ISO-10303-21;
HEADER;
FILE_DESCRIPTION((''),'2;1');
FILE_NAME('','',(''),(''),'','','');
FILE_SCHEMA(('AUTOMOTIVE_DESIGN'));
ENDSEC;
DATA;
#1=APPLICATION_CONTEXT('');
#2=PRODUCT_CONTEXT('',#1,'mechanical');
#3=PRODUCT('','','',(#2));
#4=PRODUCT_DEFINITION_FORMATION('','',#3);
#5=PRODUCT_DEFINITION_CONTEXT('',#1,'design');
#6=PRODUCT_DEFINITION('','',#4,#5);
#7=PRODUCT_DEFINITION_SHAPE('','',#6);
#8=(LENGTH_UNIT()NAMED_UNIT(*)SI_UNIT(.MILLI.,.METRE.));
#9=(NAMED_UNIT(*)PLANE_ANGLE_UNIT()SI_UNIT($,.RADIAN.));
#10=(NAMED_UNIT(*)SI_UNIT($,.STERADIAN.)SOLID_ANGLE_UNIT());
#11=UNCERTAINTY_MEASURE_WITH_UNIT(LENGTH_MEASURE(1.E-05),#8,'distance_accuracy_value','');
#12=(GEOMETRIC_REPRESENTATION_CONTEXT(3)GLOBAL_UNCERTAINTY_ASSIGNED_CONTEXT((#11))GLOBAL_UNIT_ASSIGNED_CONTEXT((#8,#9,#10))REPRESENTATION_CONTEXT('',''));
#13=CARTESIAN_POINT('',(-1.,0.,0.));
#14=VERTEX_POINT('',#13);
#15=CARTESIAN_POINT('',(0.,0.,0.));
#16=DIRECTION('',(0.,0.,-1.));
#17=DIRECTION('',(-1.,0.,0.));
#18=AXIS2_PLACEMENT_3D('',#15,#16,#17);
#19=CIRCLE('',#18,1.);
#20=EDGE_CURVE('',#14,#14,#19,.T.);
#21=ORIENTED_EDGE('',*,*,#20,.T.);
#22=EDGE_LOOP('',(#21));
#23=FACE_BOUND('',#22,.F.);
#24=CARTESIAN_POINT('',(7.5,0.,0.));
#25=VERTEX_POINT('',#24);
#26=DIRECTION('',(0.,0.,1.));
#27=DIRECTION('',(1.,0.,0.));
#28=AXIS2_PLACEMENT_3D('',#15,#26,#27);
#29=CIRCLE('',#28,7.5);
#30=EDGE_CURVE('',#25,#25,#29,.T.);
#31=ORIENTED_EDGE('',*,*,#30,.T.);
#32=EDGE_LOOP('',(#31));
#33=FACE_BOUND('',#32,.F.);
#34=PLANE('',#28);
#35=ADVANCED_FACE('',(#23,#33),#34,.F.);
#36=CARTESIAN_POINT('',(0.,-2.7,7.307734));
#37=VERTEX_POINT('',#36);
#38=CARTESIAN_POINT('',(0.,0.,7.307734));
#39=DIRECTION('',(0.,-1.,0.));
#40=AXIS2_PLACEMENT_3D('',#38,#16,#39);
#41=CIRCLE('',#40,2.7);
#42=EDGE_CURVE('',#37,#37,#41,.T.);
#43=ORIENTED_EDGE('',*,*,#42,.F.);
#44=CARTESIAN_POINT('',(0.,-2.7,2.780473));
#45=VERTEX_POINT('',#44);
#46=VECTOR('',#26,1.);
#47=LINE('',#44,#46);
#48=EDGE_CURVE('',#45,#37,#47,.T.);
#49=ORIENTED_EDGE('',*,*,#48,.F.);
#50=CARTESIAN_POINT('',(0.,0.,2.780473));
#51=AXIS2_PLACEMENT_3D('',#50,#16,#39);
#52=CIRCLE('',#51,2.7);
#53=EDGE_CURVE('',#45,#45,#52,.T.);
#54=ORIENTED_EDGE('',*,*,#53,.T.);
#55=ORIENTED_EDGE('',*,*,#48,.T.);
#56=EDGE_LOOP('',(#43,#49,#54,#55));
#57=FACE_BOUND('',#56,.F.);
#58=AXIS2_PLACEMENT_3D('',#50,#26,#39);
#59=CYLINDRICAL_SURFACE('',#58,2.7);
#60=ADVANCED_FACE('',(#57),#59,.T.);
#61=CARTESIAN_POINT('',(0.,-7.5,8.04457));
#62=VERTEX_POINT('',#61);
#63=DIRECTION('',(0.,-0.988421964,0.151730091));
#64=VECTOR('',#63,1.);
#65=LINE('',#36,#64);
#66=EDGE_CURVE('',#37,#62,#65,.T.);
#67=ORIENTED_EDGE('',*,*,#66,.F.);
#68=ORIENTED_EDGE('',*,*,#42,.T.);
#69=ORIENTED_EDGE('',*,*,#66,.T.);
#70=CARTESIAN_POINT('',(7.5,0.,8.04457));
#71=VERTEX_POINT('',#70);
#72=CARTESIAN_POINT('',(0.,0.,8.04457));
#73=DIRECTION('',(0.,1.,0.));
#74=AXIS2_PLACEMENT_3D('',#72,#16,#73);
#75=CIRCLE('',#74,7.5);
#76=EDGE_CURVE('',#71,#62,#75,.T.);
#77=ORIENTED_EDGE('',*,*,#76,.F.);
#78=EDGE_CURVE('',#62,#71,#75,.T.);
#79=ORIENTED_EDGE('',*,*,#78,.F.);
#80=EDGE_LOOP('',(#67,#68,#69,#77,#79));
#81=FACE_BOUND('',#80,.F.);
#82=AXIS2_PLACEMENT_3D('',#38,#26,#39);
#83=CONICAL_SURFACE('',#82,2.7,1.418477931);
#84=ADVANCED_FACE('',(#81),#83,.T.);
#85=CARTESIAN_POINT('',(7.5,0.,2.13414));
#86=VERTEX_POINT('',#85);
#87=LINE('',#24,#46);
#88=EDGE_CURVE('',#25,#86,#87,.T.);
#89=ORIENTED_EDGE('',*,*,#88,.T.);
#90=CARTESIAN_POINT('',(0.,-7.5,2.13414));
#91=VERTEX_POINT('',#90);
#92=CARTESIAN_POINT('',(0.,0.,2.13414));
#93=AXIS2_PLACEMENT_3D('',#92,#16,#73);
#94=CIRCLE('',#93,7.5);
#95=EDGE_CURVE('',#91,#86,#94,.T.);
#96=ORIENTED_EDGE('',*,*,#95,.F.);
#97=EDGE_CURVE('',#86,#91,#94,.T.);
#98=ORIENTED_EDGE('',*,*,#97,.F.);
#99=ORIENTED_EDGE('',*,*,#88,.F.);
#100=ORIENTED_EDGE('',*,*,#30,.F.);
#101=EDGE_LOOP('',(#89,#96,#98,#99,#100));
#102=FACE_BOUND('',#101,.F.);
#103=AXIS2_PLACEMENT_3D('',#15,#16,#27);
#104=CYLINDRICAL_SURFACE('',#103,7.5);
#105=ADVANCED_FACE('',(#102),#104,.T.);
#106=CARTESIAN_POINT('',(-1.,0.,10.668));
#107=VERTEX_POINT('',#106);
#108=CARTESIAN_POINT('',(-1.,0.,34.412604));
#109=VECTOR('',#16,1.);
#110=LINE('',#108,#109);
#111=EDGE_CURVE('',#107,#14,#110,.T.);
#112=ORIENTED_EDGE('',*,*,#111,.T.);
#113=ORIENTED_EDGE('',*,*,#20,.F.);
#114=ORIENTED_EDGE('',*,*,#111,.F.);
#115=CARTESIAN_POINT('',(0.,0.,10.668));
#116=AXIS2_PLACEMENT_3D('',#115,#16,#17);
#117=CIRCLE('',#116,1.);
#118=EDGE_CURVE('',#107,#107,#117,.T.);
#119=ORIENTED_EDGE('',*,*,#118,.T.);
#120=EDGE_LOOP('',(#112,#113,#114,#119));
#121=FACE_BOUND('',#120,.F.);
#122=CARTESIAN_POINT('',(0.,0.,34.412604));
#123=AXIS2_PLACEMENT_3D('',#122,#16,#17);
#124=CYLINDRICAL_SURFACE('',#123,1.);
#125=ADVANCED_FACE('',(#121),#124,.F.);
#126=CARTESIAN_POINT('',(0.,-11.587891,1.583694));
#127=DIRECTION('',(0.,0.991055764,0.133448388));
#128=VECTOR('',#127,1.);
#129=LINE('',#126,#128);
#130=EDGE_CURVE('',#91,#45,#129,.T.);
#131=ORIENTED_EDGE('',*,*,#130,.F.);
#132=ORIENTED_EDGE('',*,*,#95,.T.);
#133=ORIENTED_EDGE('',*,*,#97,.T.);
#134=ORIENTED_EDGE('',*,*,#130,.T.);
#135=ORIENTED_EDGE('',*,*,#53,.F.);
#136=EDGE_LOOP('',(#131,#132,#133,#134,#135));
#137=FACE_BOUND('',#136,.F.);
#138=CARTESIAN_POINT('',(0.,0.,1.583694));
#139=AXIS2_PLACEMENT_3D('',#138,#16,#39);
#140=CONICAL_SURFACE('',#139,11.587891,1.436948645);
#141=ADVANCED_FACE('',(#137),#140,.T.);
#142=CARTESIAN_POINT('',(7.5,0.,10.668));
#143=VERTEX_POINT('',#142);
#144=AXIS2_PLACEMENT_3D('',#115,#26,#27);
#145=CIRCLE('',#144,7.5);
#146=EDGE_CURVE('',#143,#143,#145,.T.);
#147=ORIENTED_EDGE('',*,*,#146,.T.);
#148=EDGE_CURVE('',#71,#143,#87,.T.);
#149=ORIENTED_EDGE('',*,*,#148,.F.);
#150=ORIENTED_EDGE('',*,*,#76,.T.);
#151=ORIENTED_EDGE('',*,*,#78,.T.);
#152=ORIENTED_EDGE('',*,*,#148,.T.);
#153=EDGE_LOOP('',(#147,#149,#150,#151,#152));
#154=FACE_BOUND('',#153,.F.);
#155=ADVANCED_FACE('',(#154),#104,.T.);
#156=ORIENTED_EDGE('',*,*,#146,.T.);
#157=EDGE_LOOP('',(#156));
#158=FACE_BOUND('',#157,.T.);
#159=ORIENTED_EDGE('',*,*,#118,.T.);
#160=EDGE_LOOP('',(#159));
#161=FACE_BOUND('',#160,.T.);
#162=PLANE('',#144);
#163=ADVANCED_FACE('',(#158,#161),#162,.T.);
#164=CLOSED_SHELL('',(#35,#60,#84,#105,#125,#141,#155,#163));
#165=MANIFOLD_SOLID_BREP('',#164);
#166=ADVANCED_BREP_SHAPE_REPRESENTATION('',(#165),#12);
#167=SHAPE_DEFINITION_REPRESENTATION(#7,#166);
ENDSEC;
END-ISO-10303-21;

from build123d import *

# Parameters (mm, degrees)
F0_R     = 7.5
F1_DEPTH = 10.668
F5_D     = 2


with BuildPart() as f1:
    # F0 (on Top) → F1 (new body)
    with BuildSketch(Plane.XY):
        Circle(F0_R)
    extrude(amount=F1_DEPTH)

    # F2 (on Right) → F3 (revolve, cut)
    with BuildSketch(Plane.YZ):
        with BuildLine():
            Line((-11.611987, 8.67579), (-11.611987, 7.502463))
            ThreePointArc((-11.611987, 7.502463), (-13.319947, 5.118554), (-11.587891, 2.752094))
            Line((-11.587891, 2.752094), (-11.587891, 1.583694))
            Line((-11.587891, 1.583694), (-2.7, 2.780473))
            Line((-2.7, 2.780473), (-2.7, 7.307734))
            Line((-2.7, 7.307734), (-11.611987, 8.67579))
        make_face()
    revolve(axis=Axis((0, 0, 0), (0, 0, -1)), mode=Mode.SUBTRACT)

    # F5 (through all)
    with Locations(Plane.XY.offset(10.668)):
        with Locations((0, 0)):
            Hole(F5_D / 2)


solid = f1.part
